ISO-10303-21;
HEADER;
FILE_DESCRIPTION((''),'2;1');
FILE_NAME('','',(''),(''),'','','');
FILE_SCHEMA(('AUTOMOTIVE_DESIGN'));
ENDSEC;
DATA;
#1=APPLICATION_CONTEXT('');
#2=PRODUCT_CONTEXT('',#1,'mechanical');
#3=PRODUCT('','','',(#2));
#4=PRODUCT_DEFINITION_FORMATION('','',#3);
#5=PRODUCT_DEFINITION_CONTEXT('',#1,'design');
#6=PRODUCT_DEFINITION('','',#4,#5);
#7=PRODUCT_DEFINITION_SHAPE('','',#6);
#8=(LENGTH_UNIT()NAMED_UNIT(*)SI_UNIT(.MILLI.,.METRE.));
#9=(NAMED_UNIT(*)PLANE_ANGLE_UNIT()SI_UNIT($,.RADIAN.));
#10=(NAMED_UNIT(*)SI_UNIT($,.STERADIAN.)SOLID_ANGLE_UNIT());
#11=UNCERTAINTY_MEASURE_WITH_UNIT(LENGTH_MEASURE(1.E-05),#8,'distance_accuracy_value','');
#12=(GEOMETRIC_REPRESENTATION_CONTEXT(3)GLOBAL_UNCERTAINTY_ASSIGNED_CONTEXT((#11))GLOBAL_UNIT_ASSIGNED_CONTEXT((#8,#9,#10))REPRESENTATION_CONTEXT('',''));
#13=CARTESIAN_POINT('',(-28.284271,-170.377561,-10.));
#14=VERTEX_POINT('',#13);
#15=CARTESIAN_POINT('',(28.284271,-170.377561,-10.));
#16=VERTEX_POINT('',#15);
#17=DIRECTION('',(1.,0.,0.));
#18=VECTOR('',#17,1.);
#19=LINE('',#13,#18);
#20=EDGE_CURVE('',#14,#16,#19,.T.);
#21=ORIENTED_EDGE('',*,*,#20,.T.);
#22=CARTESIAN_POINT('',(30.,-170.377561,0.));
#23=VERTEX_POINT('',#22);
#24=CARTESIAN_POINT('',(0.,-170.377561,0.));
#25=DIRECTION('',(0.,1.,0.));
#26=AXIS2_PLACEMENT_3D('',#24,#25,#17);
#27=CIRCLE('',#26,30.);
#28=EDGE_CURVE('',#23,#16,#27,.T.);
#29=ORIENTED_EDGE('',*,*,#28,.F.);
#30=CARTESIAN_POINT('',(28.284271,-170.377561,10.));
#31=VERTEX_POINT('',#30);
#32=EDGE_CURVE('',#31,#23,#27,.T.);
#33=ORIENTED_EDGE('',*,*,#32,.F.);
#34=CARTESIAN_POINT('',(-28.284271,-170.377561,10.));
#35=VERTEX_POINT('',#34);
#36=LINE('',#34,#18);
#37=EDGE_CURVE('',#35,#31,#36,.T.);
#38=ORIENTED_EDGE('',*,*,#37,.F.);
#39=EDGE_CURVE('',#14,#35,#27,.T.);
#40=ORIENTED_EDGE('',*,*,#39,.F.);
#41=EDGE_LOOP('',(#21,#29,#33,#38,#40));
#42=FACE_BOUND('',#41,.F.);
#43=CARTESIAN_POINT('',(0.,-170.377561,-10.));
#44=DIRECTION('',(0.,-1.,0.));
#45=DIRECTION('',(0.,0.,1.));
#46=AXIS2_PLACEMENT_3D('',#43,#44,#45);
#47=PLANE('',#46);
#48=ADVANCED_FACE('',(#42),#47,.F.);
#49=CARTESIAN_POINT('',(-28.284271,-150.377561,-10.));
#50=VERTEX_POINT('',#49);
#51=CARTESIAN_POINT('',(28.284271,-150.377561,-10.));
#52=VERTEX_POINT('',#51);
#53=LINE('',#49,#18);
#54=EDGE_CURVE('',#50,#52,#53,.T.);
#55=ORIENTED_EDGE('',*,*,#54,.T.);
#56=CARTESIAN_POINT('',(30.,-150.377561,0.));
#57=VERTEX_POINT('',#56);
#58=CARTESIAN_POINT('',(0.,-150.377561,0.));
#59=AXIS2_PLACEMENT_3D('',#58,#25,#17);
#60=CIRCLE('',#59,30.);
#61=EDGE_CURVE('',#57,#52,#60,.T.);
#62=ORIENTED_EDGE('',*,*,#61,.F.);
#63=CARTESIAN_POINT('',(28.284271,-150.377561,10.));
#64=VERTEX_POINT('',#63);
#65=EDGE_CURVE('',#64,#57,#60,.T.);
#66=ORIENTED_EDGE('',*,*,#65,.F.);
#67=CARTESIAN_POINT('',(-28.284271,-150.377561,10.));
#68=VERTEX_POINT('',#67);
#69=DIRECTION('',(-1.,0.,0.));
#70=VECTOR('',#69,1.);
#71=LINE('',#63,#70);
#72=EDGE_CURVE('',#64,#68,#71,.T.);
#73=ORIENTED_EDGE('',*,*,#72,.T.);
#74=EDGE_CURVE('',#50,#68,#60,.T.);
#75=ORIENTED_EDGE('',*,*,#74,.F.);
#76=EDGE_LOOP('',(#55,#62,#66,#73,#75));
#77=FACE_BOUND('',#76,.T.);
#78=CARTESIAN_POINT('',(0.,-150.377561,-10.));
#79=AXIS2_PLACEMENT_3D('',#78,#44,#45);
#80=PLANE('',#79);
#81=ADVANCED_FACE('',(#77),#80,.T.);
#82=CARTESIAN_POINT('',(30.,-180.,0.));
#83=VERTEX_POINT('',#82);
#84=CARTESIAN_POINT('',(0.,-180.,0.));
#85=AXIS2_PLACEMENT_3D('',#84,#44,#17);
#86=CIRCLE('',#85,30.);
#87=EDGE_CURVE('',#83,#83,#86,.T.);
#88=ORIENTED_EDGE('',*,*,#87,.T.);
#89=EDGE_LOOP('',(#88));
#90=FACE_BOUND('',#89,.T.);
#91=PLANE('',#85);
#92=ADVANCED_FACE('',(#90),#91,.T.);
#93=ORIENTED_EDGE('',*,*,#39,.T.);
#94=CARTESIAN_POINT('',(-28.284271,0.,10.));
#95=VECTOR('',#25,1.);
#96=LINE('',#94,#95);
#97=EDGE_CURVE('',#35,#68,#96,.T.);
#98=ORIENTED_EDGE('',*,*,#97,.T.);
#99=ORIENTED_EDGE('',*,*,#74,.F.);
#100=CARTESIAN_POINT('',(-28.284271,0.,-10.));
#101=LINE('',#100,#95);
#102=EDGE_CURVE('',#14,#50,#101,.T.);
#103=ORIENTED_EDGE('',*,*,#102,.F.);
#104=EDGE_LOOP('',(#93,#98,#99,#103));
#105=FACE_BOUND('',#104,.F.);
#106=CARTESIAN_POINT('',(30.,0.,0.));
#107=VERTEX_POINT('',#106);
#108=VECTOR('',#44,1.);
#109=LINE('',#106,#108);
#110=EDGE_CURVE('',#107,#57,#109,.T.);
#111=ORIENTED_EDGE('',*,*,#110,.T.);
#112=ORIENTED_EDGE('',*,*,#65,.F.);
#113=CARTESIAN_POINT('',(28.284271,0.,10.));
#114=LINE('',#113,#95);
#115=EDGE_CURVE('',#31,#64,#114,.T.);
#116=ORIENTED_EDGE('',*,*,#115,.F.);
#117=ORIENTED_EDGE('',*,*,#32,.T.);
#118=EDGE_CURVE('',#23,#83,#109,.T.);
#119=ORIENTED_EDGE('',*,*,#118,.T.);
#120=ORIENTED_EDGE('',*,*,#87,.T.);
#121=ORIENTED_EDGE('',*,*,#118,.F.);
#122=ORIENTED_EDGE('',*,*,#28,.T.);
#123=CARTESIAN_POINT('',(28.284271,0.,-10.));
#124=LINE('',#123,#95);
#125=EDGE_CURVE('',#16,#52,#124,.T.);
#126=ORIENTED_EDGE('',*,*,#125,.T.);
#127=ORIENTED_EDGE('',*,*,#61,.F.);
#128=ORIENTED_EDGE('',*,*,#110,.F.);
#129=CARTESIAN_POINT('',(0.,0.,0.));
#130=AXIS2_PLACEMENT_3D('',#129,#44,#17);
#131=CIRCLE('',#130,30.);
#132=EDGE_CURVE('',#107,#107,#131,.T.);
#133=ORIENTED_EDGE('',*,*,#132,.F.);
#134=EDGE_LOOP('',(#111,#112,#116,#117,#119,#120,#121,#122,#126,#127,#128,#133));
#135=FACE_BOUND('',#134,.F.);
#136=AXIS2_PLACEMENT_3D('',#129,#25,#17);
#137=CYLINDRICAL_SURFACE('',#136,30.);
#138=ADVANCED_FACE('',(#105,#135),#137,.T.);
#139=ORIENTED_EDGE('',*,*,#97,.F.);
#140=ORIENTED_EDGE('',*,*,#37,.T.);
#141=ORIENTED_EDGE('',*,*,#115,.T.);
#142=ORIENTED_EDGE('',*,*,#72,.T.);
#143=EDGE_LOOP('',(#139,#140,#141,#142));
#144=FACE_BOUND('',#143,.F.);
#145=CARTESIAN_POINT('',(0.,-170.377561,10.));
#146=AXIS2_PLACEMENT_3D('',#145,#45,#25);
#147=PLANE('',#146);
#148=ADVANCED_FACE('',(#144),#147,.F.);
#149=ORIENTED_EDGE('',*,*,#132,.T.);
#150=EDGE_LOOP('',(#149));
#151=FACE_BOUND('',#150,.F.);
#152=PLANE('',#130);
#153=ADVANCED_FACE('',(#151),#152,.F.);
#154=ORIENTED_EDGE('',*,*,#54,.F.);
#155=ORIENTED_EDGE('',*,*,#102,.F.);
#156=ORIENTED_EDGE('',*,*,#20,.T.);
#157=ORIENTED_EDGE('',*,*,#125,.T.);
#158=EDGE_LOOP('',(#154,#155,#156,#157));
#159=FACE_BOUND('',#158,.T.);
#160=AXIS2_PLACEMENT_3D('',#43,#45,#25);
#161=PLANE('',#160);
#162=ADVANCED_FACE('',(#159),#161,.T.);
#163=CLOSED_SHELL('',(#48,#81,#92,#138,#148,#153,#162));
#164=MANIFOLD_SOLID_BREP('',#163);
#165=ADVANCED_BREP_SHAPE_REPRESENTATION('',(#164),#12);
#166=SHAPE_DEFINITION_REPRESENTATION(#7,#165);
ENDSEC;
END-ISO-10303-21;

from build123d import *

# Parameters (mm, degrees)
F0_R          = 30
F1_DEPTH      = 180
F2_W          = 20
F2_H          = 20
F3_DEPTH      = 52
F3_DEPTH_BACK = 50


with BuildPart() as f1:
    # F0 (on Front) → F1 (new body)
    with BuildSketch(Plane.XZ):
        Circle(F0_R)
    extrude(amount=F1_DEPTH)

    # F2 (on Right) → F3 (cut, two sides)
    with BuildSketch(Plane.YZ) as f3_sk:
        with Locations((-160.3775612974, 0)):
            Rectangle(F2_W, F2_H)
    extrude(amount=-F3_DEPTH, mode=Mode.SUBTRACT)
    extrude(f3_sk.sketch, amount=F3_DEPTH_BACK, mode=Mode.SUBTRACT)


solid = f1.part
